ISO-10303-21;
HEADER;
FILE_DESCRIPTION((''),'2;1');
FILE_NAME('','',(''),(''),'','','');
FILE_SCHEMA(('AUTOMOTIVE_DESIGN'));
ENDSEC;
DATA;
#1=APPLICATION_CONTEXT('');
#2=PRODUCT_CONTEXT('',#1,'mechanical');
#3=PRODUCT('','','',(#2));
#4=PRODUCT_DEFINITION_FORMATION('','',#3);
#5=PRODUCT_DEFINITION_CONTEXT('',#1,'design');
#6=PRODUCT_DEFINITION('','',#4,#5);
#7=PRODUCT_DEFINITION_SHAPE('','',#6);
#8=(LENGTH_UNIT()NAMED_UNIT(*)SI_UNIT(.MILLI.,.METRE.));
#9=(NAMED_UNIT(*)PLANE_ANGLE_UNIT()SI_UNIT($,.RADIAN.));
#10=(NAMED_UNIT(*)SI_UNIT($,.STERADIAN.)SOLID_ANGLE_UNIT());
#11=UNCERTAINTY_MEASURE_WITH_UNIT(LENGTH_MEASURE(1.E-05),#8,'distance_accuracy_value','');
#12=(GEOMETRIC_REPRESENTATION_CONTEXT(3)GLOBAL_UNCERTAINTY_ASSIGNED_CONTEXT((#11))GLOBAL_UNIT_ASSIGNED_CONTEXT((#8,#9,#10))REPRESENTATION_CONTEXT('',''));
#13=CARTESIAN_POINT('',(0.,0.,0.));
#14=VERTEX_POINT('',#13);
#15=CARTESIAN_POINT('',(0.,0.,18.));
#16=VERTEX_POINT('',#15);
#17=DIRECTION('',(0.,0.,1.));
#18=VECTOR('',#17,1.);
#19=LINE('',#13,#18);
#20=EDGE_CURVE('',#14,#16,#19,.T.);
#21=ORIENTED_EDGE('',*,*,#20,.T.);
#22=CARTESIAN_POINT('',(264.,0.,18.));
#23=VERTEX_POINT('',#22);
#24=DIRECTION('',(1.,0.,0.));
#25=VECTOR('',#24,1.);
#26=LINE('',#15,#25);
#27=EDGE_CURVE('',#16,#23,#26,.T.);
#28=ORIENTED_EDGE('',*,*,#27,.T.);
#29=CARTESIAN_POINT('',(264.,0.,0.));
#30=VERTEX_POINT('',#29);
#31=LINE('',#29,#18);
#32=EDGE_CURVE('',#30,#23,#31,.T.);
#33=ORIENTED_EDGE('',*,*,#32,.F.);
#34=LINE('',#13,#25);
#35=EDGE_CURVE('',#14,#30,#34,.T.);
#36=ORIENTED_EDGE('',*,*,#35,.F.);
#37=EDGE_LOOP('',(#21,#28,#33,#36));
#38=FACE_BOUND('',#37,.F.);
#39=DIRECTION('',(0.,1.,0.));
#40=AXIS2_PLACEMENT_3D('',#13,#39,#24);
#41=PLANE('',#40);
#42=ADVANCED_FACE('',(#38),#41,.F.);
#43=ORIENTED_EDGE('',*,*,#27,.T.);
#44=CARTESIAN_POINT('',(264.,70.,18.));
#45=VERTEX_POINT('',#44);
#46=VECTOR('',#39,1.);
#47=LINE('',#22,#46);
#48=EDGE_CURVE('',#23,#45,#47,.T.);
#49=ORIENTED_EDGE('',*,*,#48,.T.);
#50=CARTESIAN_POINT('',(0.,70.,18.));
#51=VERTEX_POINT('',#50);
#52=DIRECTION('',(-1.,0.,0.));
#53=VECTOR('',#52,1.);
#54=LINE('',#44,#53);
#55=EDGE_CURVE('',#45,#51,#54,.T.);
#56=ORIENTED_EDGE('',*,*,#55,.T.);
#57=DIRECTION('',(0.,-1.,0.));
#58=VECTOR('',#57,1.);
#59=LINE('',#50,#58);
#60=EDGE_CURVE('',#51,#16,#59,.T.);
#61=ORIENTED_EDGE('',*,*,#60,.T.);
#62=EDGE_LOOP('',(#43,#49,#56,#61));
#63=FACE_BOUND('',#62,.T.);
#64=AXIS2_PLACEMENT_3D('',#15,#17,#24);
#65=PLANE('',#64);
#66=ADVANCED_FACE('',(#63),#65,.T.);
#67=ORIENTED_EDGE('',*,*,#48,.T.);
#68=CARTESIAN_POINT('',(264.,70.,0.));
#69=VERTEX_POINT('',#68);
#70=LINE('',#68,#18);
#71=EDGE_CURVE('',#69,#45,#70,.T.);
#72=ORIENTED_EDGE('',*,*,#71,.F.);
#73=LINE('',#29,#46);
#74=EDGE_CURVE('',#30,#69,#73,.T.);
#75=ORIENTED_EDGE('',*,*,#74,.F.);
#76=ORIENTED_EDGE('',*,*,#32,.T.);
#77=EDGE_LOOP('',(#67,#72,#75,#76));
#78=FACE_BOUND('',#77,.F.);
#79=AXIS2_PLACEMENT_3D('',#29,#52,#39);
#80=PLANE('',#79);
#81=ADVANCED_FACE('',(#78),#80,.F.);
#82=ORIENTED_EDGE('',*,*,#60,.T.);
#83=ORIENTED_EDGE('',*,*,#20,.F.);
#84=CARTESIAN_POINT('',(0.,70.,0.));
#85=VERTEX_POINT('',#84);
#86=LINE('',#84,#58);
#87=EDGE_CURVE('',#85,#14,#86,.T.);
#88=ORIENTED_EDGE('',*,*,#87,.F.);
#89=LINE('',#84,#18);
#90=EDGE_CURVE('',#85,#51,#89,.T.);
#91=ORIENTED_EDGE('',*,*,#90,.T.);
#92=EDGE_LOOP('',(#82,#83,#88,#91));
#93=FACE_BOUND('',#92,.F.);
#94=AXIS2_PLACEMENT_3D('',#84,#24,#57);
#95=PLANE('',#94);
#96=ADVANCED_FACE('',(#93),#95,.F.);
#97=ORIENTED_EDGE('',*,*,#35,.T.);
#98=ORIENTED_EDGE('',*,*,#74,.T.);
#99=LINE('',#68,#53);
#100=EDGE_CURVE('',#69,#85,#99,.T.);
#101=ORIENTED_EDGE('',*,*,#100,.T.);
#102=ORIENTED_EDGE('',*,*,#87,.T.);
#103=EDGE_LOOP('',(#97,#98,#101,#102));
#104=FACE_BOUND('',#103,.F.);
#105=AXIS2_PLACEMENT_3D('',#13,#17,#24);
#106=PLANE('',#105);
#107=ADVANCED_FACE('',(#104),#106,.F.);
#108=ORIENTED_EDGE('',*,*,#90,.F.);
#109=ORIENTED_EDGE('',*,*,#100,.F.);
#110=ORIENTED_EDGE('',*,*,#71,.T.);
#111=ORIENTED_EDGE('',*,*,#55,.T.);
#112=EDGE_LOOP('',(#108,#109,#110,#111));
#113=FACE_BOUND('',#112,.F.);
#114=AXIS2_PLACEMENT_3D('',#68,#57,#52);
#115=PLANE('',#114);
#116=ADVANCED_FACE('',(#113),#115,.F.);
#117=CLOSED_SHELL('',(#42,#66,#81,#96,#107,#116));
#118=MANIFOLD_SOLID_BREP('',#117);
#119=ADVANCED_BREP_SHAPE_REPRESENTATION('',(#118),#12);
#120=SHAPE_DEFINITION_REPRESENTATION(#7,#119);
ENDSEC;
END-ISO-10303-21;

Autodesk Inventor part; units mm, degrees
ref_plane "YZ Plane" through (0, 0, 0) normal (1, 0, 0) x (0, 1, 0)
ref_plane "XZ Plane" through (0, 0, 0) normal (0, 1, 0) x (-1, 0, 0)
ref_plane "XY Plane" through (0, 0, 0) normal (0, 0, 1) x (1, 0, 0)
sketch "Boceto1" plane through (0, 0, 0) normal (0, 0, 1) x (1, 0, 0)
  line L0 (0, 0) -> (264, 0)
  line L1 (264, 0) -> (264, 70)
  line L2 (264, 70) -> (0, 70)
  line L3 (0, 70) -> (0, 0)
  dimension "d0" = 264
  dimension "d1" = 70
extrude "Extrusión1" add sketch "Boceto1" along normal blind 18
properties part number "015" material "CFRP"
